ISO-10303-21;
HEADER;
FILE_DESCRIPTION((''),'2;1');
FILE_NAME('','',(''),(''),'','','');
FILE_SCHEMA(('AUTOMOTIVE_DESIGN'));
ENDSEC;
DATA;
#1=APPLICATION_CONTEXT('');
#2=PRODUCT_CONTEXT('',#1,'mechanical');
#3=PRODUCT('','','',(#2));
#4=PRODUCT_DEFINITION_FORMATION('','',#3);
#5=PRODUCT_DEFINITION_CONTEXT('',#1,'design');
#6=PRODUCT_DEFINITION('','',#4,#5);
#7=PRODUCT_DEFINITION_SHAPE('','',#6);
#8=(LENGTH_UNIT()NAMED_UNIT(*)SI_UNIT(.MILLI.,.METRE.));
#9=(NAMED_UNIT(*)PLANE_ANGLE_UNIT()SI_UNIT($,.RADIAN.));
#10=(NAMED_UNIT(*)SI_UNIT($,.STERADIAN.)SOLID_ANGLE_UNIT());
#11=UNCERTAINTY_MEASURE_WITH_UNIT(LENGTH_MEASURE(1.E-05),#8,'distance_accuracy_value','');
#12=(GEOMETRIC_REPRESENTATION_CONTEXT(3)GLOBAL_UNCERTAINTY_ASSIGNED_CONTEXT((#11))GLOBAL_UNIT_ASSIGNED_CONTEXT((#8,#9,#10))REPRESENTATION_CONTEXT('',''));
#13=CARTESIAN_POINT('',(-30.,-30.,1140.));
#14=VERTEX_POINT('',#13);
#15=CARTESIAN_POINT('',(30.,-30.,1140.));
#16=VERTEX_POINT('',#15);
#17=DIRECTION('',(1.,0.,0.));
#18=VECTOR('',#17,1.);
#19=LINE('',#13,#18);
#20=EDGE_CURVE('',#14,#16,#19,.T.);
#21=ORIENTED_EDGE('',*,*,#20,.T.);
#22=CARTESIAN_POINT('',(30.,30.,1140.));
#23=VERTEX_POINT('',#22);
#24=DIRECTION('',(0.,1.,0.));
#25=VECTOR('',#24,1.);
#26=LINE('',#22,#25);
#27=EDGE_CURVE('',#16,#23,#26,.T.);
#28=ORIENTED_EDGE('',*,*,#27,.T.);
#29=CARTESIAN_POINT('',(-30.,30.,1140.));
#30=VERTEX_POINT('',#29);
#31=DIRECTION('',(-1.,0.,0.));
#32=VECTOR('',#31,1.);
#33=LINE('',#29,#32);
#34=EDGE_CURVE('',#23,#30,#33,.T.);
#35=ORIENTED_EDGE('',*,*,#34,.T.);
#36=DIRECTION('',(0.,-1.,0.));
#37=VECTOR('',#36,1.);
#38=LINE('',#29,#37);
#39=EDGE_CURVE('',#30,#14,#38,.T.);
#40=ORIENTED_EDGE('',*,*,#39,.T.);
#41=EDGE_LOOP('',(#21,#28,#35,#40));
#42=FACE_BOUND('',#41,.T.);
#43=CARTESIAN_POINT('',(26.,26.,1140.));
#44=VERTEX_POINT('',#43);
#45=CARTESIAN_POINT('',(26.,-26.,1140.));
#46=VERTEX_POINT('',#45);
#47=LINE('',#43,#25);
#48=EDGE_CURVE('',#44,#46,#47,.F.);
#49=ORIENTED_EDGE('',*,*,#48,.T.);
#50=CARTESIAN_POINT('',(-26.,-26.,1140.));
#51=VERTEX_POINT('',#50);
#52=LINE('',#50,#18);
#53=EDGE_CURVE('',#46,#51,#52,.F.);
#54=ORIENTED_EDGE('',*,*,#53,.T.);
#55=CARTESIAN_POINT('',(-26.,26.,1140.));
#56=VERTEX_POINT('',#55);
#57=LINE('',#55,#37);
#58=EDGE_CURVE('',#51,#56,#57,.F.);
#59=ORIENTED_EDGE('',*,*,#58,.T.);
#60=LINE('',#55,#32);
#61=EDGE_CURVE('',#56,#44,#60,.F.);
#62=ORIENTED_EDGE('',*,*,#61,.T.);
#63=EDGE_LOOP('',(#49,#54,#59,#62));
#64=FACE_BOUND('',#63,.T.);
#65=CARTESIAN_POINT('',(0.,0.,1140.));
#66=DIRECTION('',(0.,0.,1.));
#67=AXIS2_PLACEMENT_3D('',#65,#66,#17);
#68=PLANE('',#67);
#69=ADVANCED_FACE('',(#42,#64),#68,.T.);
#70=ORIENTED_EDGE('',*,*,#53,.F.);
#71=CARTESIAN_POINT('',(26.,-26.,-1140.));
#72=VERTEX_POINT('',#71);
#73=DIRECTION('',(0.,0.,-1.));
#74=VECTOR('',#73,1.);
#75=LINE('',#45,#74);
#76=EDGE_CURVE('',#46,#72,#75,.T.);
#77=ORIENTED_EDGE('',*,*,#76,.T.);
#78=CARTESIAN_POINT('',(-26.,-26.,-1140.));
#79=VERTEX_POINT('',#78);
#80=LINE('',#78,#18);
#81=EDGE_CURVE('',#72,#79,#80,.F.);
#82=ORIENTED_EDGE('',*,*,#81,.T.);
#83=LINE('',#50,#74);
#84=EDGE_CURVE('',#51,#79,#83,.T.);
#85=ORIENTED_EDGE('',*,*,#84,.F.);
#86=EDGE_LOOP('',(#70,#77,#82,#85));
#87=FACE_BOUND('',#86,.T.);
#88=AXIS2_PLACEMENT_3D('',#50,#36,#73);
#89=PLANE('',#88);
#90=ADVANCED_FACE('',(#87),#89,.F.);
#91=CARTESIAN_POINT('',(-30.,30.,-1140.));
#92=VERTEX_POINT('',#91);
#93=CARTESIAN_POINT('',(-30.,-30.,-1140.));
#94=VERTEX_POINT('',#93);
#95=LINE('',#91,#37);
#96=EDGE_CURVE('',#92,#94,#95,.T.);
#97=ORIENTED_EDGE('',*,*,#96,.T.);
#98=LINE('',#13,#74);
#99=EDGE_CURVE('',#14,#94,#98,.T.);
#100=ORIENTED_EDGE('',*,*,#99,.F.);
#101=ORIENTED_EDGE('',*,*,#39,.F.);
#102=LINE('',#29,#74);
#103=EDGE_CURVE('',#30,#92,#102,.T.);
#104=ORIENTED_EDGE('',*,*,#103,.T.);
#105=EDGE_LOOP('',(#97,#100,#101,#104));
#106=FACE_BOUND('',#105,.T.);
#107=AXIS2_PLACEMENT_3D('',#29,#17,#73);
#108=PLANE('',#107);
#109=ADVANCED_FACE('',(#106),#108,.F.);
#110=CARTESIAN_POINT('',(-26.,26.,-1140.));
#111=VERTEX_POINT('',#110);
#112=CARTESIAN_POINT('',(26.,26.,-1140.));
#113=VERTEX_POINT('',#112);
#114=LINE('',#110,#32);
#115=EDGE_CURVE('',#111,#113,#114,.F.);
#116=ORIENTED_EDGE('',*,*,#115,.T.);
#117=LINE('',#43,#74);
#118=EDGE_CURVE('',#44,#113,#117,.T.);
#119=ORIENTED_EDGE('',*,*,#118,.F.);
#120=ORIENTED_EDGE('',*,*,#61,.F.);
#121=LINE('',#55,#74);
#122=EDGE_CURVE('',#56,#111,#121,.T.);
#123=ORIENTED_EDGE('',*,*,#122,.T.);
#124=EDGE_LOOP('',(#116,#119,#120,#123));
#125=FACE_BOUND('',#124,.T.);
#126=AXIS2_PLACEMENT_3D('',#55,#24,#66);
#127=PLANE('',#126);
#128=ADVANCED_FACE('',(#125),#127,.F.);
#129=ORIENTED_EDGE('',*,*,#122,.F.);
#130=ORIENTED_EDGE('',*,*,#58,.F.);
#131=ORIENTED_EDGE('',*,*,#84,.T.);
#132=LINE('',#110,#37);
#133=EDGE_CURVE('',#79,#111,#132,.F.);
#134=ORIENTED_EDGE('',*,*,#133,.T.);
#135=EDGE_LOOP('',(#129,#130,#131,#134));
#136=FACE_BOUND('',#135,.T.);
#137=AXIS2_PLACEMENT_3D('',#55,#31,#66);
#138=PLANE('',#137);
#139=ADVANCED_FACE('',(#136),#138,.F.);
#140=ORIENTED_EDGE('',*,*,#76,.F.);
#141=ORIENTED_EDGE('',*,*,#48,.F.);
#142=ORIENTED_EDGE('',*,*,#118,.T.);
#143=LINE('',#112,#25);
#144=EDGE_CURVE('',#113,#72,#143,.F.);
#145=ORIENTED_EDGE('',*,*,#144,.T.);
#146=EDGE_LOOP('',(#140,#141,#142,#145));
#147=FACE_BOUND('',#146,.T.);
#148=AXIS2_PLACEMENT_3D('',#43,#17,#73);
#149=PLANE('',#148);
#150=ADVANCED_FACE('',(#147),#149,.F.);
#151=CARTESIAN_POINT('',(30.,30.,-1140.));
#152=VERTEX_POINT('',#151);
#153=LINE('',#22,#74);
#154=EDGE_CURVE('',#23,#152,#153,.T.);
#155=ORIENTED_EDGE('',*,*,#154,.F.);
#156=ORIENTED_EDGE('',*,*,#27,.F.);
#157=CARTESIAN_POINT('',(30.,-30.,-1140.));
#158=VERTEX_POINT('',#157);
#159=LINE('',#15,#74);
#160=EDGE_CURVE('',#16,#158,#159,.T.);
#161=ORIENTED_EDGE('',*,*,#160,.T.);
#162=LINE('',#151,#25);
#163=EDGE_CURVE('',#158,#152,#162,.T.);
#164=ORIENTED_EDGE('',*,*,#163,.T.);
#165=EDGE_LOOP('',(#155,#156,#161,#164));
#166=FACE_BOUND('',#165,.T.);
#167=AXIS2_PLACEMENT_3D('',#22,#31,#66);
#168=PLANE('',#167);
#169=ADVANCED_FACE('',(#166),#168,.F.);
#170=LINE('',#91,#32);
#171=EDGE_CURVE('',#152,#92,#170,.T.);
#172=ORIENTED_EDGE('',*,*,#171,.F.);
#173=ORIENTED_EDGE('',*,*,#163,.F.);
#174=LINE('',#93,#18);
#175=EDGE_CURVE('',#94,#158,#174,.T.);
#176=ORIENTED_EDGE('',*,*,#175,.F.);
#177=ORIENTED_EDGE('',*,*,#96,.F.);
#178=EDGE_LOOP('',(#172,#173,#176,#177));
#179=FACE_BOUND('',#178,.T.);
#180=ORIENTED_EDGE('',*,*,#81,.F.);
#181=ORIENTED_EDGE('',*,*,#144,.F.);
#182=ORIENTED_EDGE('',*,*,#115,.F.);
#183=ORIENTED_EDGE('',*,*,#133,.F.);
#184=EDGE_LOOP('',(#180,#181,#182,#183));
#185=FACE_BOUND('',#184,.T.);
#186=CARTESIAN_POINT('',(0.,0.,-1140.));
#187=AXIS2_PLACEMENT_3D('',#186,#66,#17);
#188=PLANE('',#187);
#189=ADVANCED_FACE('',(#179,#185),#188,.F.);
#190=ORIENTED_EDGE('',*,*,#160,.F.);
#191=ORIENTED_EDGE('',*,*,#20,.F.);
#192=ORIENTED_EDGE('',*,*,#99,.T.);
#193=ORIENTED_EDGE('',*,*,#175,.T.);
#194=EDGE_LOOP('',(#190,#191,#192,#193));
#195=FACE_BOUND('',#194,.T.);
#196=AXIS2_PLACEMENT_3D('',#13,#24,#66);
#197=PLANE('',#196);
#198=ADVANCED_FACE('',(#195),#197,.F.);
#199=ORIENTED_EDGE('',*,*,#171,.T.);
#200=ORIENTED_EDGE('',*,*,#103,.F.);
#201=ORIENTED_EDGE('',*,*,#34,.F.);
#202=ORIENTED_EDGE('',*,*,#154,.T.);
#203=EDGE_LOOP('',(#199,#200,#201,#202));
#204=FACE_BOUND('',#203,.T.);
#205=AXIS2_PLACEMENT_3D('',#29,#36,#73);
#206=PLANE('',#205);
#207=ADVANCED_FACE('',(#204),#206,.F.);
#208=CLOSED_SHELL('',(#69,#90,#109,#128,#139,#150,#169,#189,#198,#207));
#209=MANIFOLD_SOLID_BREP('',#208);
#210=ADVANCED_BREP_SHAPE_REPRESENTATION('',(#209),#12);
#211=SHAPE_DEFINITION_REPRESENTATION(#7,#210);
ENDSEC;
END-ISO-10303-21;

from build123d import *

# Parameters (mm, degrees)
SKETCH1_W   = 60
SKETCH1_H   = 60
SKETCH1_W_2 = 52
SKETCH1_H_2 = 52


with BuildPart() as part:
    # Sweep1: sweep along a curve in space
    with BuildLine() as sweep1_path:
        add(Edge.make_bspline(
            [(0, 0, -1140), (0, 0, 1140)],
            knots=[0, 0, 1, 1], degree=1))
    # Sketch1 → Sweep1 (sweep)
    with BuildSketch(Plane.XY):
        Rectangle(SKETCH1_W, SKETCH1_H)
        Rectangle(SKETCH1_W_2, SKETCH1_H_2, mode=Mode.SUBTRACT)
    sweep(path=sweep1_path.line)


solid = part.part
